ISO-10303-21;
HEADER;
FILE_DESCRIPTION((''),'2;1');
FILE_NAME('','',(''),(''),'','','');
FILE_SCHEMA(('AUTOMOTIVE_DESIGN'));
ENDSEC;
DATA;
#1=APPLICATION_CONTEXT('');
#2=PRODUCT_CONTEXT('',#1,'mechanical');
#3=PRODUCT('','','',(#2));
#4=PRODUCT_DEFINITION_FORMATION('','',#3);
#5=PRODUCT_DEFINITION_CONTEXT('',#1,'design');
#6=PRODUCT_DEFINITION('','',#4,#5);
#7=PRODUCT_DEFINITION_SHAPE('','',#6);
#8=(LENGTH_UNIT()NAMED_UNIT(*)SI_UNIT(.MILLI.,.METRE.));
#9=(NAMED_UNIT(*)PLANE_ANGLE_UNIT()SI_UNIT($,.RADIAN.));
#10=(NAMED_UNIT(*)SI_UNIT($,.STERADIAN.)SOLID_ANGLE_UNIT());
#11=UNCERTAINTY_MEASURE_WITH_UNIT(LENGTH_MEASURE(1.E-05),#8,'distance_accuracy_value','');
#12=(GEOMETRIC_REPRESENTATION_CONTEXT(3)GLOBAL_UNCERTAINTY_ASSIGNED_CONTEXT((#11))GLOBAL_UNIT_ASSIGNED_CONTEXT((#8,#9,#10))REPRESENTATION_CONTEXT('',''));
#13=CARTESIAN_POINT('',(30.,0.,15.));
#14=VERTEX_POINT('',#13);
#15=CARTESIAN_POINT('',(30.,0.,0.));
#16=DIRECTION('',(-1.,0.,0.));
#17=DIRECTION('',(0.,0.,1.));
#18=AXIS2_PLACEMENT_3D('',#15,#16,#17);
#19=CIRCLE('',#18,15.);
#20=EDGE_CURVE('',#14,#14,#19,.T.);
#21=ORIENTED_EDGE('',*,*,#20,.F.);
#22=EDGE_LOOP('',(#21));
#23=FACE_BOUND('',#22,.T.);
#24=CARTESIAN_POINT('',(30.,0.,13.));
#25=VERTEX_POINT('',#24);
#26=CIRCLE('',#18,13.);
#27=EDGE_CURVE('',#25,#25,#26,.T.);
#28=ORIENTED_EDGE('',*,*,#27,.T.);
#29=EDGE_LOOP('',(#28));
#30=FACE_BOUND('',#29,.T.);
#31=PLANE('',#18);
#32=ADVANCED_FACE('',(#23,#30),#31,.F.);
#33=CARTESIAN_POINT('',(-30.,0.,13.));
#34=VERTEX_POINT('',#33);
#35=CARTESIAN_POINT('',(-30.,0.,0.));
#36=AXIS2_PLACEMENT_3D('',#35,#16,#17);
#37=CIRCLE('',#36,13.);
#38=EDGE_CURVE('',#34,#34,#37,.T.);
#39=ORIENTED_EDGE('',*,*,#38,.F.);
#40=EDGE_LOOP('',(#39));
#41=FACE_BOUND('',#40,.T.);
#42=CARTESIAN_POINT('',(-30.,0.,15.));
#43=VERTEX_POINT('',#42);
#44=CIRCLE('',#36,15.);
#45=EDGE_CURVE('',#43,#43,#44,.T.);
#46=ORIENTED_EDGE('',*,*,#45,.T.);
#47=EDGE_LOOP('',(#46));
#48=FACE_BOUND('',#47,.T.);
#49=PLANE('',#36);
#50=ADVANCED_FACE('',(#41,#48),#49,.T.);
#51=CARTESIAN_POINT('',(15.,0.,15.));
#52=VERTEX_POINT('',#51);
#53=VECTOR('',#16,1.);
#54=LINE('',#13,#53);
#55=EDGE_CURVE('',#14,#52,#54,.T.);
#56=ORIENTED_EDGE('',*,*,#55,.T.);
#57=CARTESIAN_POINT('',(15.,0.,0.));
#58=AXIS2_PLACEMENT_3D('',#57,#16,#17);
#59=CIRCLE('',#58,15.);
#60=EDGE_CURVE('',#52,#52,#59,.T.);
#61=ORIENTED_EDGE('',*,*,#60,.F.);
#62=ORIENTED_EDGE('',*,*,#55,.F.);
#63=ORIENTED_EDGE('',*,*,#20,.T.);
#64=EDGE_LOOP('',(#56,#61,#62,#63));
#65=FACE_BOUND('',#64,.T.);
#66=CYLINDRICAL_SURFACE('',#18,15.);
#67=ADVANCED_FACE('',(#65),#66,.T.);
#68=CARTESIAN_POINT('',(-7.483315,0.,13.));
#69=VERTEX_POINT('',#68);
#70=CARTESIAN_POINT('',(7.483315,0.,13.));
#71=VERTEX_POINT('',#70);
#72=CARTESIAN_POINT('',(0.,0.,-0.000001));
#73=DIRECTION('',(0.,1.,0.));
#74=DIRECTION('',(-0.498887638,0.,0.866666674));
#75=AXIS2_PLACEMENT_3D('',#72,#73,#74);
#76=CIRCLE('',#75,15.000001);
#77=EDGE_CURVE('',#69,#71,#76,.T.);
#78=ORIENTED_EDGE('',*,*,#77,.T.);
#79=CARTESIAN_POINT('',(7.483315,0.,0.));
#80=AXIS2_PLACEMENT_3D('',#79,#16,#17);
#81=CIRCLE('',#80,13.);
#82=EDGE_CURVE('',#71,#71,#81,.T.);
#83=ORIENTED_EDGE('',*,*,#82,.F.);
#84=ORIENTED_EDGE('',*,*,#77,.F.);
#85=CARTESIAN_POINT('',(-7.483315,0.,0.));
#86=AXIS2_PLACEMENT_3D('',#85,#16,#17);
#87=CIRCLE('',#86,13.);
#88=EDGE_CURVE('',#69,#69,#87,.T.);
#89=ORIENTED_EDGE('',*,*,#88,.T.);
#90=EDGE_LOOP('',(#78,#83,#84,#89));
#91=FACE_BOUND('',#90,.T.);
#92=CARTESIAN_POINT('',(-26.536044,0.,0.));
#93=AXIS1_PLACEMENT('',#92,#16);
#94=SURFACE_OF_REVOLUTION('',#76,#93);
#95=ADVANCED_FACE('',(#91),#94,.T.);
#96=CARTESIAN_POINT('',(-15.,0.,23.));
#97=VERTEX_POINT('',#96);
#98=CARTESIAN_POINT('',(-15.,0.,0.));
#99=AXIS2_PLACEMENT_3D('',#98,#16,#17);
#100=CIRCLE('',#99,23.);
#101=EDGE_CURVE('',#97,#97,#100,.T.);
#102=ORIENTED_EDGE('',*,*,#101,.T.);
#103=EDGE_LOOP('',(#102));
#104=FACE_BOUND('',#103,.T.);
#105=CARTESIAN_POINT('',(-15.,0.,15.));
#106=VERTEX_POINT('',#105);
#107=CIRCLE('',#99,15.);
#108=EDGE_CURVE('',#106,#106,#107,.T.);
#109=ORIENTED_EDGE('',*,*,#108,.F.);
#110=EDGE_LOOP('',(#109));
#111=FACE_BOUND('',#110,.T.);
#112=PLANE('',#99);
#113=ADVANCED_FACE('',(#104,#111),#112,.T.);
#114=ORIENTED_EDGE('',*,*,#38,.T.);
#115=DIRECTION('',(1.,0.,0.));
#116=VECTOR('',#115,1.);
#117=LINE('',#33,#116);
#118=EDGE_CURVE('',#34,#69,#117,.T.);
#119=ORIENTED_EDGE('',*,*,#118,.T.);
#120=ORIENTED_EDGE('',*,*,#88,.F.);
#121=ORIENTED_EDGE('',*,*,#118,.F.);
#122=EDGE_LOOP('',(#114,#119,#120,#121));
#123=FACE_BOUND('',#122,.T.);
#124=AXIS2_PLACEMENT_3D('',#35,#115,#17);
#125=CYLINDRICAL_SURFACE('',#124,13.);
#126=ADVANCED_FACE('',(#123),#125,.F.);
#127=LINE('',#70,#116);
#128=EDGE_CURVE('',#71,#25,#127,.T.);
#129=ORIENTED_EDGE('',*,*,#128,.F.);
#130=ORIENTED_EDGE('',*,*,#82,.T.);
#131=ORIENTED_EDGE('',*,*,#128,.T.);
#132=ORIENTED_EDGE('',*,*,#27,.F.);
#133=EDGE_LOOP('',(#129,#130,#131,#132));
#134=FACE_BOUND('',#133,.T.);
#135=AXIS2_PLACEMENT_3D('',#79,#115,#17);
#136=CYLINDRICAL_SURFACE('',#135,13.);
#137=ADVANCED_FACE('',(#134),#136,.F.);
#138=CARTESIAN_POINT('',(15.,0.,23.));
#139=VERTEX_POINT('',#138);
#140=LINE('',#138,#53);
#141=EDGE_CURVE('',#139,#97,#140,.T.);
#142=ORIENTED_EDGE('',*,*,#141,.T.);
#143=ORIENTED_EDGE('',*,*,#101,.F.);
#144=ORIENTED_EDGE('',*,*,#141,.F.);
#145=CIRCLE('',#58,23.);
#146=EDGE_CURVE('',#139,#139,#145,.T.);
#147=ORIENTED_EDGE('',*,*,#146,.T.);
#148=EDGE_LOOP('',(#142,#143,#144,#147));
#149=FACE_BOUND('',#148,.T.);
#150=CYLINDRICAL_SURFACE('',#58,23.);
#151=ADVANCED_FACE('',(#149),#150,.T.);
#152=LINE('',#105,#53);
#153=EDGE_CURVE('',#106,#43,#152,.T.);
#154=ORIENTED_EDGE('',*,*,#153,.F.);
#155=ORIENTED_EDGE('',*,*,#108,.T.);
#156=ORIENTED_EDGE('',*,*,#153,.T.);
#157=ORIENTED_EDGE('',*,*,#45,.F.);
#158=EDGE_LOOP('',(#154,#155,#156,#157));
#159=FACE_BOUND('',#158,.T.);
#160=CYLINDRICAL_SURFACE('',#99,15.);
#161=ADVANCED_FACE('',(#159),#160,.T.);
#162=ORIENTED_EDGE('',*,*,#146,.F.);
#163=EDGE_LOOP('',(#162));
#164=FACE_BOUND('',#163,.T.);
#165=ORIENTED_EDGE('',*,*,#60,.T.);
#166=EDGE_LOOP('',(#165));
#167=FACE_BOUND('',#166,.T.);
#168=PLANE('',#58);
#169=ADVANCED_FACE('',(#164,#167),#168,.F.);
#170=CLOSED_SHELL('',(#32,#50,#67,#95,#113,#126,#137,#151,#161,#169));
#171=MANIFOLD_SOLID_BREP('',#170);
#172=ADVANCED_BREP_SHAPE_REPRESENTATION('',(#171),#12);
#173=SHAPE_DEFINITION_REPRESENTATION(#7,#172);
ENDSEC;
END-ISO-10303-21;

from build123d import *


with BuildPart() as f1:
    # F0 (on Front) → F1 (revolve)
    with BuildSketch(Plane.XZ):
        with BuildLine():
            Line((-30, 13), (-7.483315, 13))
            ThreePointArc((-7.483315, 13), (0, 15), (7.483315, 13))
            Line((7.483315, 13), (30, 13))
            Line((30, 13), (30, 15))
            Line((30, 15), (15, 15))
            Line((15, 15), (15, 23))
            Line((15, 23), (-15, 23))
            Line((-15, 23), (-15, 15))
            Line((-15, 15), (-30, 15))
            Line((-30, 15), (-30, 13))
        make_face()
    revolve(axis=Axis((-26.536044, 0, 0), (-1, 0, 0)))


solid = f1.part
